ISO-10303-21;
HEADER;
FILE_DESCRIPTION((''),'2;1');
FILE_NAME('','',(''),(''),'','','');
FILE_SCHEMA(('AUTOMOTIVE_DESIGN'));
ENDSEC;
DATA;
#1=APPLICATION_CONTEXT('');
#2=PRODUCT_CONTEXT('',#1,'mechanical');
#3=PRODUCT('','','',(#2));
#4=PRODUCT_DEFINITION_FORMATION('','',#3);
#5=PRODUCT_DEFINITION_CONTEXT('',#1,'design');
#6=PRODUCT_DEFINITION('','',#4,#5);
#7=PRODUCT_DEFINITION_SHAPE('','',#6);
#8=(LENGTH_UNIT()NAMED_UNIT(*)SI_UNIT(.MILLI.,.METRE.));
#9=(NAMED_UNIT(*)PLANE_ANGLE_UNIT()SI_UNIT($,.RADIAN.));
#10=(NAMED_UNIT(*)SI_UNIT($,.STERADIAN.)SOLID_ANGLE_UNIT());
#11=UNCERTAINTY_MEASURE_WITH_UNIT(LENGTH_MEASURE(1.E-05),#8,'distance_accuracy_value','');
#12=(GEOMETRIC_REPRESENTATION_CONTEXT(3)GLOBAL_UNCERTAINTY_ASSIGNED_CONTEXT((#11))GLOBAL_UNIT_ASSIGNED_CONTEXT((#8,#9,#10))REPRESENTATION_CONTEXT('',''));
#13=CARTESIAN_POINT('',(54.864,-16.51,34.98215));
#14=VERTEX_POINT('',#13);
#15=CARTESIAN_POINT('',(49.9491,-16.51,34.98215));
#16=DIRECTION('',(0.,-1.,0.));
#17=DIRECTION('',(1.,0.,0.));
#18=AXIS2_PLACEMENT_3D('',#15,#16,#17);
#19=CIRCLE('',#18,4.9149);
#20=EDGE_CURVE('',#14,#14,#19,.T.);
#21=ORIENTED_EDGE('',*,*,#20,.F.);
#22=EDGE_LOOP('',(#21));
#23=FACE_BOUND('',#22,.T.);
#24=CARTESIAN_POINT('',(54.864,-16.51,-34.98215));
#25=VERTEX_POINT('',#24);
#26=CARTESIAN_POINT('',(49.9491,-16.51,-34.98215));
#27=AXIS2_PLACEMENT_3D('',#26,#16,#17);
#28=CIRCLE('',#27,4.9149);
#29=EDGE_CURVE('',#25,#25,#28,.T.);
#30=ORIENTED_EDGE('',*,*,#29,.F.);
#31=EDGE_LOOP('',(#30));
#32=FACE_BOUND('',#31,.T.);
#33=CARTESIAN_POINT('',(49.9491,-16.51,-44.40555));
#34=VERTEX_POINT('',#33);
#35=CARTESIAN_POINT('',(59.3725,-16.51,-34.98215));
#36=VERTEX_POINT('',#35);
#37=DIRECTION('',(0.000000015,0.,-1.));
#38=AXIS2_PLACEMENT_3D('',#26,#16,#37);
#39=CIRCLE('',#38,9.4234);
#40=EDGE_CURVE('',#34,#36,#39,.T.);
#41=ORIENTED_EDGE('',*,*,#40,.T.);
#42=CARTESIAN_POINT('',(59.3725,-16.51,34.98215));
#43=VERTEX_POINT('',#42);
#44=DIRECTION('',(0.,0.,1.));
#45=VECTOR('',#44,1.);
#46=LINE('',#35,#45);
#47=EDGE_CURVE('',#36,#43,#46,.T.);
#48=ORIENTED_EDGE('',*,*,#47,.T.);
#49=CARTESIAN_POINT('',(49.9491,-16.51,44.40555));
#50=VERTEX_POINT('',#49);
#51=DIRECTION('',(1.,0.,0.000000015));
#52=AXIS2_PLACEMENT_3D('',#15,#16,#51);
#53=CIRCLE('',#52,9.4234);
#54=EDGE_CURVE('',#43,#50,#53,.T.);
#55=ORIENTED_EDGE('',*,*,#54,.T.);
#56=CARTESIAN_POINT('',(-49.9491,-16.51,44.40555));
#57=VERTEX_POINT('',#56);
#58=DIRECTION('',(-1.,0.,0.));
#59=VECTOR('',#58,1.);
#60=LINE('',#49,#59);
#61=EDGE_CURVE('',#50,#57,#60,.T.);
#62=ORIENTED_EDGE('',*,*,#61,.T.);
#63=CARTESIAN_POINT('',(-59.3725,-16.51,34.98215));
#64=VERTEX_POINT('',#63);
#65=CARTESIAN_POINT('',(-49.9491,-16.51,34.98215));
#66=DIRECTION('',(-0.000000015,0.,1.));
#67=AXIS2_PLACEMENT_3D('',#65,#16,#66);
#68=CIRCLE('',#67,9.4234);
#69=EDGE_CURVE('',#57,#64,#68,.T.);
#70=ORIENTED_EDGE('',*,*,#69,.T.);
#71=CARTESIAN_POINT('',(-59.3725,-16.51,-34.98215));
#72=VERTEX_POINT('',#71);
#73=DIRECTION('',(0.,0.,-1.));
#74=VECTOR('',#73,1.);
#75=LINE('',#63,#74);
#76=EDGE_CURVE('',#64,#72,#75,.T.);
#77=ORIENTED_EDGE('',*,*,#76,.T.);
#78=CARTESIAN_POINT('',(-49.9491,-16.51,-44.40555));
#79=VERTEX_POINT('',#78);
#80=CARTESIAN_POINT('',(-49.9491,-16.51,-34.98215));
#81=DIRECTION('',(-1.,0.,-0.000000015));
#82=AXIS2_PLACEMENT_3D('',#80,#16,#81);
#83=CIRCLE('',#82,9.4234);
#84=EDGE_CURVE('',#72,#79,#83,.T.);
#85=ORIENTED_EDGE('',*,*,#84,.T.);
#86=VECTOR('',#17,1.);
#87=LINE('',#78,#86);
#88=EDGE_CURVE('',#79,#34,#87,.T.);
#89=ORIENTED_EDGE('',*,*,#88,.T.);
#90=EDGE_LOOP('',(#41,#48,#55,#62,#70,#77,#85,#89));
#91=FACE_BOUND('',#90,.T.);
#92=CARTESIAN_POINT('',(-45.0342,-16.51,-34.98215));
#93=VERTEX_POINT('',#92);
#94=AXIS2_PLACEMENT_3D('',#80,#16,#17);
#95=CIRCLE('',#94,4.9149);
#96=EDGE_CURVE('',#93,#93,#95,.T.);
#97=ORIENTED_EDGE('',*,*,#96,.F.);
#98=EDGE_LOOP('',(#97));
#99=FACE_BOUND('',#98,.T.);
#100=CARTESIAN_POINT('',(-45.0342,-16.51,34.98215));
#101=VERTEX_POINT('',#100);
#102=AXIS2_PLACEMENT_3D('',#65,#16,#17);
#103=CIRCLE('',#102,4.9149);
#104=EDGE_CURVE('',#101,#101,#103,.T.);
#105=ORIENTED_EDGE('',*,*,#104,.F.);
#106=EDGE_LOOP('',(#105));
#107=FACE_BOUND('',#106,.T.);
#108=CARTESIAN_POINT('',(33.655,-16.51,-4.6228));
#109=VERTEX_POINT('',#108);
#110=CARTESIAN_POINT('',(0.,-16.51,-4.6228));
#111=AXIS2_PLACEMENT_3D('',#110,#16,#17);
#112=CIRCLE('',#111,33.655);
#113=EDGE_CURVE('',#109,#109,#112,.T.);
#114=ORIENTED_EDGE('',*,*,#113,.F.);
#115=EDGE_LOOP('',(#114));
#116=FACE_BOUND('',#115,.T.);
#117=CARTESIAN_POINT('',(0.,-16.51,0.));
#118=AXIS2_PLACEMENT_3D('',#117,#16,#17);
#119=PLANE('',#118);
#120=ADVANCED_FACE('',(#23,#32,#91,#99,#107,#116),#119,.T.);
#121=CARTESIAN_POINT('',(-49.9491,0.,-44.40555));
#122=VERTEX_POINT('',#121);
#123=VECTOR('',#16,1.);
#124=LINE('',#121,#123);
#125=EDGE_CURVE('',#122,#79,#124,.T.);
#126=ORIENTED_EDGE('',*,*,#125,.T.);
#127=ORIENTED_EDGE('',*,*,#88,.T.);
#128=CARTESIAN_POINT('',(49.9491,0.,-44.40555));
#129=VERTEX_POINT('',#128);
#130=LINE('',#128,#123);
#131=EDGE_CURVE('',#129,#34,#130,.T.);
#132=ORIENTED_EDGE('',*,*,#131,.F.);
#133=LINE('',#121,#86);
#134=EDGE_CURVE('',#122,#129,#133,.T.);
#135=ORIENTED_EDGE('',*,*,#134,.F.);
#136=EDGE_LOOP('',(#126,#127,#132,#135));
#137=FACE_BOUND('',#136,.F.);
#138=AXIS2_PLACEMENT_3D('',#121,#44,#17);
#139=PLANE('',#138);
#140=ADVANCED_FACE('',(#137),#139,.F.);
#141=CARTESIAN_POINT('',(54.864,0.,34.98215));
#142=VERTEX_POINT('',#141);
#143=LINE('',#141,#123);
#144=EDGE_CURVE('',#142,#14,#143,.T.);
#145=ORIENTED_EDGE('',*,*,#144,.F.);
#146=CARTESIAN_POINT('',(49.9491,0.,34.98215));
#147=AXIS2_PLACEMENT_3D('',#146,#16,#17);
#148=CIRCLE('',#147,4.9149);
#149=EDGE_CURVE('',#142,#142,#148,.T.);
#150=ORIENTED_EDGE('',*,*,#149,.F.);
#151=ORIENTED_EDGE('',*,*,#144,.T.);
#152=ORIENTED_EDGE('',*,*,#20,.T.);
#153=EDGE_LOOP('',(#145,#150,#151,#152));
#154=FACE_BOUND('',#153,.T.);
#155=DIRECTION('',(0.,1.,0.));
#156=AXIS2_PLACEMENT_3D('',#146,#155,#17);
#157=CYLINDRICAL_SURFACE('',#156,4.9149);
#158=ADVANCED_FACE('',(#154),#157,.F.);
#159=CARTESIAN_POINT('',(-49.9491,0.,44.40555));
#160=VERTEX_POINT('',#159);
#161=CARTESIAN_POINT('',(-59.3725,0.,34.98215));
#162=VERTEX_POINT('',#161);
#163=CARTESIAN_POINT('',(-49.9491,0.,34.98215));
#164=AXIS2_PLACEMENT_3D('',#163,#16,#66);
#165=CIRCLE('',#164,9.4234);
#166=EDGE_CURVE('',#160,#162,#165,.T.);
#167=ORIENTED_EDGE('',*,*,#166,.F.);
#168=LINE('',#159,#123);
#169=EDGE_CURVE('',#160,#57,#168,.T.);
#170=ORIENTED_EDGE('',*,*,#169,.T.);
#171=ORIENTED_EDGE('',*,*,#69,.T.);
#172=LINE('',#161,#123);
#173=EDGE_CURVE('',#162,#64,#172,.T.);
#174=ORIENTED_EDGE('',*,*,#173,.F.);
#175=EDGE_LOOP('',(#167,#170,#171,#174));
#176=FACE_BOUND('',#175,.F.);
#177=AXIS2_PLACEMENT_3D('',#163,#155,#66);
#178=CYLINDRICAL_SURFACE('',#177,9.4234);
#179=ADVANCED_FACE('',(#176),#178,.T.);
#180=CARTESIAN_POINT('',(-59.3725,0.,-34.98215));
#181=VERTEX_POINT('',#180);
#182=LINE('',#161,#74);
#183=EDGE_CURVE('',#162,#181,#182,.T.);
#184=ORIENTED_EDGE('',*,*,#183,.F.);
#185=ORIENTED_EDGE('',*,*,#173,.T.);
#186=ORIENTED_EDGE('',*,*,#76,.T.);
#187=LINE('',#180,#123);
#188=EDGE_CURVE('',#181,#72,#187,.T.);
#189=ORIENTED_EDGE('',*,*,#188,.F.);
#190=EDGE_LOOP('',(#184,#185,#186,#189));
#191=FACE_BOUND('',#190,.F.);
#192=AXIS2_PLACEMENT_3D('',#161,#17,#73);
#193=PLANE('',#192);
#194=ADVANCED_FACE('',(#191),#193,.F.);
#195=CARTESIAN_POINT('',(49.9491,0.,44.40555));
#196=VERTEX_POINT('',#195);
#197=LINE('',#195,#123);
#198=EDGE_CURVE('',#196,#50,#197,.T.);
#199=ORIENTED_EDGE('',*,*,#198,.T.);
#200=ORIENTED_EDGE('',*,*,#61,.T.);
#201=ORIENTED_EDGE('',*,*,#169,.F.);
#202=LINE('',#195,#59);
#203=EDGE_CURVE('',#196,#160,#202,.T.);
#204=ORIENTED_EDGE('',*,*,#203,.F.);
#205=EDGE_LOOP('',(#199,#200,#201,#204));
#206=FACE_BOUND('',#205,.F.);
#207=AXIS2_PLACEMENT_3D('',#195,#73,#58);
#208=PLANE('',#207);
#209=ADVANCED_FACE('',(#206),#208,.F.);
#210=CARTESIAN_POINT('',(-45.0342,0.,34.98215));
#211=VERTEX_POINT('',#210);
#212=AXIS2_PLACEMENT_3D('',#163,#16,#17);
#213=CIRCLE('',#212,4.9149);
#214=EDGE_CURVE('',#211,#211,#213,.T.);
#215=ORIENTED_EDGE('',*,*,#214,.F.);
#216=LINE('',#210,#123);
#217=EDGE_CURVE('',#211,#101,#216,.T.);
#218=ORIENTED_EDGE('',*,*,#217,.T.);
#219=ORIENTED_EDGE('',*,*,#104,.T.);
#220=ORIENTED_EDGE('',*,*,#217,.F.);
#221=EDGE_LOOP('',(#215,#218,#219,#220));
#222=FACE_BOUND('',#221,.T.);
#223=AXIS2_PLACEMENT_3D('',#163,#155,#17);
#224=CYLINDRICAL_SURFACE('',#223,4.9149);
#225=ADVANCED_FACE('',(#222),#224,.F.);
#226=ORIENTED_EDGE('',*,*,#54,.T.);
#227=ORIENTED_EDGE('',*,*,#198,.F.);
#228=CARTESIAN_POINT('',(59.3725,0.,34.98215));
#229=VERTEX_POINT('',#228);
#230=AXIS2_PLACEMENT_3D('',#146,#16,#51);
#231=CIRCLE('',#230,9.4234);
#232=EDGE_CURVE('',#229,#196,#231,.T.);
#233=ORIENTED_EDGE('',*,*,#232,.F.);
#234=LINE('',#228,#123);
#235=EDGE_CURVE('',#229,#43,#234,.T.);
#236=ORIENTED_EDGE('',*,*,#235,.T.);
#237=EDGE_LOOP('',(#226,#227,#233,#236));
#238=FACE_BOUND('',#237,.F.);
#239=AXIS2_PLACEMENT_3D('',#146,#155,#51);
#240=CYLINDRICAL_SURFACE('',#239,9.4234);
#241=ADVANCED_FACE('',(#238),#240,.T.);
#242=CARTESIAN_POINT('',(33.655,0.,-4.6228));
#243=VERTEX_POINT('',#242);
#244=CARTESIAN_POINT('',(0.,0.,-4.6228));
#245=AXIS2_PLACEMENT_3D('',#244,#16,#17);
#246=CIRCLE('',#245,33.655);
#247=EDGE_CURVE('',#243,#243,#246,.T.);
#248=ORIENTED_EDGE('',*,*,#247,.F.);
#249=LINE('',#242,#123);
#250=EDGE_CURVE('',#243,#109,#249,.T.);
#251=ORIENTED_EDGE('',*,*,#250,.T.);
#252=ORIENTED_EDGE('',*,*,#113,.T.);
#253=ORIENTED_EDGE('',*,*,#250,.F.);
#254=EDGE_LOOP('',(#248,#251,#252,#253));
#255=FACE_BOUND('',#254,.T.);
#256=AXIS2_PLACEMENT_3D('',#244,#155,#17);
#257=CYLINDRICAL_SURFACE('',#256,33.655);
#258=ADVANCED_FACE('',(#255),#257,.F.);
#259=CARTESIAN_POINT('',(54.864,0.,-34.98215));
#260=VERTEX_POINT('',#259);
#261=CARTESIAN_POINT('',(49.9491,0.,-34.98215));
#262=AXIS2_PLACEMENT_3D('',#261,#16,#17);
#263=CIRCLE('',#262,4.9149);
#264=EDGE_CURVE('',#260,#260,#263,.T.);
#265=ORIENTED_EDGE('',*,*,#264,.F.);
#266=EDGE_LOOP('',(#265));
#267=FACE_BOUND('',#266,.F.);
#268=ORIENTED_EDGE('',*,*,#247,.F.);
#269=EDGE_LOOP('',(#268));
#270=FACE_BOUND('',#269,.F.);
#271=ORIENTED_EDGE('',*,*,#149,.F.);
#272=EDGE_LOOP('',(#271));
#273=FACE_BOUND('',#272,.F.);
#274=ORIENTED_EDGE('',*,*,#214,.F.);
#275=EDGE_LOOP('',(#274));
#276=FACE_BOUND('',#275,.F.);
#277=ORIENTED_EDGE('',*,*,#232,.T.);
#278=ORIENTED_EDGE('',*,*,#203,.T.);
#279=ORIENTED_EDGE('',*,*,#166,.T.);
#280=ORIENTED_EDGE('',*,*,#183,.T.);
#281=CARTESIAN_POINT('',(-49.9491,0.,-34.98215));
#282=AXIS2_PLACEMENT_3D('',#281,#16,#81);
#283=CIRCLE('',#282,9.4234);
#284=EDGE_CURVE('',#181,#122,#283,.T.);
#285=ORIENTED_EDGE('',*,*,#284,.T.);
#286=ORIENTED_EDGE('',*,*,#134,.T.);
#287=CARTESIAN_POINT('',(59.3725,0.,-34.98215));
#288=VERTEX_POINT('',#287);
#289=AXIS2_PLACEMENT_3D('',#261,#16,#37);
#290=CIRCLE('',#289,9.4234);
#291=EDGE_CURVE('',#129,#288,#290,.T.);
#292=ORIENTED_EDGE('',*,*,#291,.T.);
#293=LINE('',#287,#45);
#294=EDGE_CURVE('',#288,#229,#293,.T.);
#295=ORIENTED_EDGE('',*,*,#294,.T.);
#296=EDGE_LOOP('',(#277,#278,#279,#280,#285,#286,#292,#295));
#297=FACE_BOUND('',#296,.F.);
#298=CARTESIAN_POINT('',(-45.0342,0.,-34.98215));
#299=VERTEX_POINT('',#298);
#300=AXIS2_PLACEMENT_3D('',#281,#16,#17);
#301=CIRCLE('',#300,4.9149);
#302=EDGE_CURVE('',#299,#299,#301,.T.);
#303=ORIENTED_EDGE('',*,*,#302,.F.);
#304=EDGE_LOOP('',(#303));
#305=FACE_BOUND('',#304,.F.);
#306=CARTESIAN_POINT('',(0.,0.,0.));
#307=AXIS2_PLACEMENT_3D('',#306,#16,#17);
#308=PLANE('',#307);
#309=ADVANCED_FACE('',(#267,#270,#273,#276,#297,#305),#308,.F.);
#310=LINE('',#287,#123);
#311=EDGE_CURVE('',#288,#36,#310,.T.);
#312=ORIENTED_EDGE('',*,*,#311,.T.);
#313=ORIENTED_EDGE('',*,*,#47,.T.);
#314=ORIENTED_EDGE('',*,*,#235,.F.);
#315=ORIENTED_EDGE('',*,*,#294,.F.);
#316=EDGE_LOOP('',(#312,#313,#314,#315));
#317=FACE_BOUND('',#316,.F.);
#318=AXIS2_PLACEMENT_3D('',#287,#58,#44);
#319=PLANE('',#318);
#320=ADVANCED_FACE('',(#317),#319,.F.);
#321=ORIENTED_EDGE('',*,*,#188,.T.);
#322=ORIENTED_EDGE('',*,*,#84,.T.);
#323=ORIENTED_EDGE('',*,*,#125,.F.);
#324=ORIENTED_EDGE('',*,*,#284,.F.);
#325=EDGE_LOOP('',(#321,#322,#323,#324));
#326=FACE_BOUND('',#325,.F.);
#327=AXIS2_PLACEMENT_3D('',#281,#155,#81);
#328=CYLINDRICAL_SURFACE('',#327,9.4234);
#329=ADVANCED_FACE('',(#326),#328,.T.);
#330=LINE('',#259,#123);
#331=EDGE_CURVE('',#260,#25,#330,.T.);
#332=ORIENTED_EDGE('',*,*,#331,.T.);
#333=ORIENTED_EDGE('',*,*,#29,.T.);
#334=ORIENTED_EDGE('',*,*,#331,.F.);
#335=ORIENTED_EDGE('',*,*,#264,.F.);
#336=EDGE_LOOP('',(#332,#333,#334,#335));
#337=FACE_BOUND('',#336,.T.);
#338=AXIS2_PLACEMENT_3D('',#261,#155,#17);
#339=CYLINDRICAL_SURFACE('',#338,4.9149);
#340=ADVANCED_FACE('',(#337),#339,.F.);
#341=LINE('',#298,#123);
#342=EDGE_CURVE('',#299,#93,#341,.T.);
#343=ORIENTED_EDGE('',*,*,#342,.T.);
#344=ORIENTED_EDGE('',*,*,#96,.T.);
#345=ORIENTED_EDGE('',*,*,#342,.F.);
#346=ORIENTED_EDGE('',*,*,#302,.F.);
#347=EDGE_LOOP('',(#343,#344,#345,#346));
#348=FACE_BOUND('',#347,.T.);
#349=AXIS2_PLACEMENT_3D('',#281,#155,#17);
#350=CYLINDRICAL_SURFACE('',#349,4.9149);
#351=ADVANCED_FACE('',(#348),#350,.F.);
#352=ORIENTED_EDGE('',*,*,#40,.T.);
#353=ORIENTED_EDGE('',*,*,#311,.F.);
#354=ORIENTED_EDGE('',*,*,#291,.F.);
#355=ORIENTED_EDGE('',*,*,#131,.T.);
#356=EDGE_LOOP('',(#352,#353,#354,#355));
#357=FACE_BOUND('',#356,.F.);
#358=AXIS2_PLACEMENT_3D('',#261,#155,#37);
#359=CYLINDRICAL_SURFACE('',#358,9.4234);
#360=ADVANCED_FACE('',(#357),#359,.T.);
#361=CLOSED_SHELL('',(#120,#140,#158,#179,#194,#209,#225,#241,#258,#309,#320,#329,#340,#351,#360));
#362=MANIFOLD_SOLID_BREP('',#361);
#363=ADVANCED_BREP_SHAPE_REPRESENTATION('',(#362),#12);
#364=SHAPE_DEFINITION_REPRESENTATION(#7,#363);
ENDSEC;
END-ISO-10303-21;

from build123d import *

# Parameters (mm, degrees)
F0_R     = 4.9149
F0_R_2   = 33.655
F1_DEPTH = 16.51


with BuildPart() as f1:
    # F0 (on Front) → F1 (new body)
    with BuildSketch(Plane.XZ):
        with BuildLine():
            Line((49.9491, 44.40555), (-49.9491, 44.40555))
            ThreePointArc((-49.9491, 44.40555), (-56.61245, 41.6455), (-59.3725, 34.98215))
            Line((-59.3725, 34.98215), (-59.3725, -34.98215))
            ThreePointArc((-59.3725, -34.98215), (-56.61245, -41.6455), (-49.9491, -44.40555))
            Line((-49.9491, -44.40555), (49.9491, -44.40555))
            ThreePointArc((49.9491, -44.40555), (56.61245, -41.6455), (59.3725, -34.98215))
            Line((59.3725, -34.98215), (59.3725, 34.98215))
            ThreePointArc((59.3725, 34.98215), (56.61245, 41.6455), (49.9491, 44.40555))
        make_face()
        with Locations((-49.9491, -34.98215)):
            Circle(F0_R, mode=Mode.SUBTRACT)
        with Locations((0, -4.6228)):
            Circle(F0_R_2, mode=Mode.SUBTRACT)
        with Locations((49.9491, -34.98215)):
            Circle(F0_R, mode=Mode.SUBTRACT)
        with Locations((-49.9491, 34.98215)):
            Circle(F0_R, mode=Mode.SUBTRACT)
        with Locations((49.9491, 34.98215)):
            Circle(F0_R, mode=Mode.SUBTRACT)
    extrude(amount=F1_DEPTH)


solid = f1.part
